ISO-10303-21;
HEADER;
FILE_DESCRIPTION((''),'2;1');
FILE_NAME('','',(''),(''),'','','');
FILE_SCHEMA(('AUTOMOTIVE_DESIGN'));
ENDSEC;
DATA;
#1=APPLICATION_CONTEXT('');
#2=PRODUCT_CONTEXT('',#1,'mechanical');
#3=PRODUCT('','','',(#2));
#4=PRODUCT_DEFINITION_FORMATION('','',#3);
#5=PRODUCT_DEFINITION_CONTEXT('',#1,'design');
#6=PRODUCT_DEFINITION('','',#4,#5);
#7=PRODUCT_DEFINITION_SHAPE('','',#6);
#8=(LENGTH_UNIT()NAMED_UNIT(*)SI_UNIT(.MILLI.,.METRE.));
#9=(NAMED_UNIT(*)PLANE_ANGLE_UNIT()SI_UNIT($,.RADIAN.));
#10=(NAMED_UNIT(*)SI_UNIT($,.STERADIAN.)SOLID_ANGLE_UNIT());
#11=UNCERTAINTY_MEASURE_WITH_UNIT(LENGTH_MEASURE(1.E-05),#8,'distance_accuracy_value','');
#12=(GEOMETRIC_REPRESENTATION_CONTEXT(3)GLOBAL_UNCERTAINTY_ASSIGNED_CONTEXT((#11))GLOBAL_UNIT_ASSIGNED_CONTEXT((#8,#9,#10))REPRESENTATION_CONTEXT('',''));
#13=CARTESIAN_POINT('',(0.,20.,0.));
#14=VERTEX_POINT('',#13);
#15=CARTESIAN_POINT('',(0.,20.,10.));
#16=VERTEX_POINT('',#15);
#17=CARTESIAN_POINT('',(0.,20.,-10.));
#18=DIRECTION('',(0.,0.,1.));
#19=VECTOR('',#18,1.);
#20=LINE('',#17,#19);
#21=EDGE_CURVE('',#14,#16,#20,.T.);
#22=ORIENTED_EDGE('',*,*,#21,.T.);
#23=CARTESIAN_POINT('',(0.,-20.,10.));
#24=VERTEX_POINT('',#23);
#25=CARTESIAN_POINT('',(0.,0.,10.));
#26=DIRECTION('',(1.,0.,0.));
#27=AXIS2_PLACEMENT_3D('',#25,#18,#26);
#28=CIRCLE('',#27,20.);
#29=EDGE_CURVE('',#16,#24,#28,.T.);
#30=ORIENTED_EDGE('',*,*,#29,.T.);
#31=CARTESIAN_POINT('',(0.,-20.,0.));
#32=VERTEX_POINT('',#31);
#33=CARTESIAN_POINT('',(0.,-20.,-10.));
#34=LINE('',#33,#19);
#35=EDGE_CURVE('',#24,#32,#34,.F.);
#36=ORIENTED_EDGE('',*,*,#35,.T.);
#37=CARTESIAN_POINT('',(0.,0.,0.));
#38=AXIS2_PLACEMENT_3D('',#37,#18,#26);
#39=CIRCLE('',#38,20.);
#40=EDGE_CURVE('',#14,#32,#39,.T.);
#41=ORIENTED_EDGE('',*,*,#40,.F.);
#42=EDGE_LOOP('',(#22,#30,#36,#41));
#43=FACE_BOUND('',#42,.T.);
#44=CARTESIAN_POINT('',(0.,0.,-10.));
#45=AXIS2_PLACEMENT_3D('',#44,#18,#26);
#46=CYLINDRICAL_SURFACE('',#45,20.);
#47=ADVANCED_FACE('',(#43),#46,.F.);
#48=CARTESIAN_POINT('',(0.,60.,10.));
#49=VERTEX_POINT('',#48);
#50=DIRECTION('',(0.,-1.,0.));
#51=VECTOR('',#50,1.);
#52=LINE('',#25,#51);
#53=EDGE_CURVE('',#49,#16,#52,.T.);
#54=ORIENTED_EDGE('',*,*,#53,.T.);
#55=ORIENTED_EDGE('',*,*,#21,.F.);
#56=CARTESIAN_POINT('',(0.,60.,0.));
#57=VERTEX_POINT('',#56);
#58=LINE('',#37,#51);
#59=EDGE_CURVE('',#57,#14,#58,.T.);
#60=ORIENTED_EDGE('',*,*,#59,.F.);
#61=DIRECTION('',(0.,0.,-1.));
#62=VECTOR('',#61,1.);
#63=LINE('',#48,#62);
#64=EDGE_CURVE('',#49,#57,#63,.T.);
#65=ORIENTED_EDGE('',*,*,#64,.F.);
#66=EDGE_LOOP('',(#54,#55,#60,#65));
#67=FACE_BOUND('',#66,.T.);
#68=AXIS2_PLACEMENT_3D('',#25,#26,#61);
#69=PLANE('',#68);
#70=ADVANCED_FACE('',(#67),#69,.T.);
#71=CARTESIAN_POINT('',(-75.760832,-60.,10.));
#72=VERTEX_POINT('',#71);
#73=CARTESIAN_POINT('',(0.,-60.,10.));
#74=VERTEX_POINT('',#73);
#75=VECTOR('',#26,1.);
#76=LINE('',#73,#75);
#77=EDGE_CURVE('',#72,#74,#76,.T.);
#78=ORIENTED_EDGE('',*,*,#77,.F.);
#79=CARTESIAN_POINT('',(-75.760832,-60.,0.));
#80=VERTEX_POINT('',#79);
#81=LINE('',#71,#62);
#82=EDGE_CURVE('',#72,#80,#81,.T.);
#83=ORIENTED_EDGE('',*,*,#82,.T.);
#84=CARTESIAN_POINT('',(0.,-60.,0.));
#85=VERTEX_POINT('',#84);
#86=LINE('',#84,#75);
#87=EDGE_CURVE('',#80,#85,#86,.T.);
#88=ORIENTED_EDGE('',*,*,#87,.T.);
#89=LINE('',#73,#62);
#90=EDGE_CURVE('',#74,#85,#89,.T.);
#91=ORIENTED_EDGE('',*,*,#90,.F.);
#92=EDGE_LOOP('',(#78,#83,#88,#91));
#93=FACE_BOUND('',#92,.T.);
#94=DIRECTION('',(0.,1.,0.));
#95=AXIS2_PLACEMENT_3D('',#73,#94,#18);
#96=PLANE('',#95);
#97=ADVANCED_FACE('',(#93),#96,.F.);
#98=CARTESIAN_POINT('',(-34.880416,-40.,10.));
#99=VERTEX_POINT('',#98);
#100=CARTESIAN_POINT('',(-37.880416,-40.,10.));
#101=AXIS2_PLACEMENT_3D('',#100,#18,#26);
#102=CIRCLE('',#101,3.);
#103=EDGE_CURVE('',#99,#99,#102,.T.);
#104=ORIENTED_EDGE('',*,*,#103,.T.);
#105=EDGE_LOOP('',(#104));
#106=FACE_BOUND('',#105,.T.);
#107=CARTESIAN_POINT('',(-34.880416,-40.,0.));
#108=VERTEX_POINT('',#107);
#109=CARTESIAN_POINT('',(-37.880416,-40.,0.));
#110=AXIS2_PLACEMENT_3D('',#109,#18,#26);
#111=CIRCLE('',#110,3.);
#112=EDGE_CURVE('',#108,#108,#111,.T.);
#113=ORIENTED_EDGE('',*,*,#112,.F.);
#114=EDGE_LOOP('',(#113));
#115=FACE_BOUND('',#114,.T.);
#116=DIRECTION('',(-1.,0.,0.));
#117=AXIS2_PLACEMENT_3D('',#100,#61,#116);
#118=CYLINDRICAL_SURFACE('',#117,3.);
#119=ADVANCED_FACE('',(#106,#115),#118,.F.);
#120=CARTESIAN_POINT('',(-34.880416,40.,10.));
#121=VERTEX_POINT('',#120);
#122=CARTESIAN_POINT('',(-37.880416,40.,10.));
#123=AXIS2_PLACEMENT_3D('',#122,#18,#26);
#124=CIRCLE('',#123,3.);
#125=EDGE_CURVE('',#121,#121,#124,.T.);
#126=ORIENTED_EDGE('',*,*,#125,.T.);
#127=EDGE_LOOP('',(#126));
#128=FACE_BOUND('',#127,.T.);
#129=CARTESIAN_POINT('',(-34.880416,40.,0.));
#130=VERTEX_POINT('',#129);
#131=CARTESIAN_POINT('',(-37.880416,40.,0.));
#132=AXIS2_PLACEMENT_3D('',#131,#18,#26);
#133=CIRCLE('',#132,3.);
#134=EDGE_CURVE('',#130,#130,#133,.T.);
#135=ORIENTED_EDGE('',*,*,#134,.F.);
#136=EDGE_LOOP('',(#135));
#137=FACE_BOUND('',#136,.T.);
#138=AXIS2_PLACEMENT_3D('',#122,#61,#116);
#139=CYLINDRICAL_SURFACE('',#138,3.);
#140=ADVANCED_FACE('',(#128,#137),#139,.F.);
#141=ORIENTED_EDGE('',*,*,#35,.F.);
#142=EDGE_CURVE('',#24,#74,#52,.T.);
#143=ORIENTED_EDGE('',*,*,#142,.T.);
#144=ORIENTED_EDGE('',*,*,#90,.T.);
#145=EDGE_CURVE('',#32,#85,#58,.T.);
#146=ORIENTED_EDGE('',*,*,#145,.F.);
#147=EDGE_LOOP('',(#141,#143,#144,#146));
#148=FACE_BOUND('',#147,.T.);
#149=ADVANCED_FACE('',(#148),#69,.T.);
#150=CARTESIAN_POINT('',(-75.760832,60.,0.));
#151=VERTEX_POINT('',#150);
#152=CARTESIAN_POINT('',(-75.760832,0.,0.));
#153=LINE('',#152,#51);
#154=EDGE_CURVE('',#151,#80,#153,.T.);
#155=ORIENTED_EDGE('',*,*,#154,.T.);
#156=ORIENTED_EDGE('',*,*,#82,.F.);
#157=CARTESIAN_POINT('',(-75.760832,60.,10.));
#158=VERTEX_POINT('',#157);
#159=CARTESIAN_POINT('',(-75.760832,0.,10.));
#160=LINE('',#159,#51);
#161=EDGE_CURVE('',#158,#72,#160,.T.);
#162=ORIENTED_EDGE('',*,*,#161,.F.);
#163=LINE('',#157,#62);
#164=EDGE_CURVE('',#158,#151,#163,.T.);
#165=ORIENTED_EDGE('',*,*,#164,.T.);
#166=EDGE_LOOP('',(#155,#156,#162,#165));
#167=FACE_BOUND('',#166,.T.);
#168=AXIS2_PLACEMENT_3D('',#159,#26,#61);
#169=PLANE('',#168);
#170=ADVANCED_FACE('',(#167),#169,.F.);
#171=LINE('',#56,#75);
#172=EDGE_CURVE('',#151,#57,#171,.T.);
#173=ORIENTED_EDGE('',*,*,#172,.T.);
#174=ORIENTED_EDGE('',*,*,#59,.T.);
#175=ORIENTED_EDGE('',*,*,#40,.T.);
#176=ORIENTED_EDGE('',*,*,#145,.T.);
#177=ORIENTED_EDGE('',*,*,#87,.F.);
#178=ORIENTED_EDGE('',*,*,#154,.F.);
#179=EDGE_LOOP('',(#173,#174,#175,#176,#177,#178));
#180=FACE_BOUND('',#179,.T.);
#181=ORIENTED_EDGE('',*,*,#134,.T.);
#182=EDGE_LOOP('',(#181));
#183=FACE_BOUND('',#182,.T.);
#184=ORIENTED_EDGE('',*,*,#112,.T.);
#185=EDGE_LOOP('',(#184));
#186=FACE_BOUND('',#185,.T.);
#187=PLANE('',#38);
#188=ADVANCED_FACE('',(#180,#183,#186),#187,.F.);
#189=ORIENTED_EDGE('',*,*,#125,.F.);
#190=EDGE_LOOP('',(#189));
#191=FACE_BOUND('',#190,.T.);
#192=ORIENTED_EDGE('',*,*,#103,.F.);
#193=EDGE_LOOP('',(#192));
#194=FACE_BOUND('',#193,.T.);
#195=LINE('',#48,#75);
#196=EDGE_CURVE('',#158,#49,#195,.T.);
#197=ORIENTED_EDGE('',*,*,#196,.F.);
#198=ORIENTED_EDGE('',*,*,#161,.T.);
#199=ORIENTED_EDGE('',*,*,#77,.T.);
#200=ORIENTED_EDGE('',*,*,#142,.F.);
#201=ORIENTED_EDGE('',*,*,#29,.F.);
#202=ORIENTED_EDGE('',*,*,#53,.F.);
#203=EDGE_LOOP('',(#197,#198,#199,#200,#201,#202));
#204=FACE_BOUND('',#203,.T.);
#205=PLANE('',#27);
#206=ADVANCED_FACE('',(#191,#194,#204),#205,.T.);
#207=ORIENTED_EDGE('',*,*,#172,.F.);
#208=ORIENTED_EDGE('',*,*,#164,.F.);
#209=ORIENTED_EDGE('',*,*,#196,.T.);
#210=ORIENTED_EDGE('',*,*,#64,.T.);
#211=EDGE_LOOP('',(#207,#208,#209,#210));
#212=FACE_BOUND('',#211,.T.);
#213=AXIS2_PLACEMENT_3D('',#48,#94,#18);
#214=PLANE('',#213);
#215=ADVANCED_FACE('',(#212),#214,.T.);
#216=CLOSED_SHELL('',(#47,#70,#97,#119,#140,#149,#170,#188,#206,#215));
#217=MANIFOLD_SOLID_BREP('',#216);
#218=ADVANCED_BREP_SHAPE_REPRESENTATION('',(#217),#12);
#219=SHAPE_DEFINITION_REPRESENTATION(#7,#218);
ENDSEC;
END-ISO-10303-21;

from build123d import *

# Parameters (mm, degrees)
SKETCH_1_W          = 75.760831706
SKETCH_1_H          = 120
SKETCH_1_R          = 3
EXTRUDE_1_DEPTH     = 10
SKETCH_5_R          = 20
CUT_EXTRUDE_1_DEPTH = 20


with BuildPart() as part:
    # 草图1 → 凸台-拉伸1 (new body)
    # profile 1 of 2: a face of its own
    with BuildSketch(Plane.XY):
        with BuildLine():
            Line((0, -37.880415853), (0, 37.880415853))
            ThreePointArc((0, 37.880415853), (-37.880415853, 0), (0, -37.880415853))
        make_face()
    # profile 2 of 2: a face of its own
    with BuildSketch(Plane.XY):
        with Locations((-37.880415853, 0)):
            Rectangle(SKETCH_1_W, SKETCH_1_H)
        with Locations((-37.880415853, -40)):
            Circle(SKETCH_1_R, mode=Mode.SUBTRACT)
        with Locations((-37.880415853, 40)):
            Circle(SKETCH_1_R, mode=Mode.SUBTRACT)
    extrude(amount=EXTRUDE_1_DEPTH)

    # 草图5 → 切除-拉伸1 (cut)
    with BuildSketch(Plane.XY.offset(10)):
        Circle(SKETCH_5_R)
    extrude(amount=-CUT_EXTRUDE_1_DEPTH, mode=Mode.SUBTRACT)


solid = part.part
